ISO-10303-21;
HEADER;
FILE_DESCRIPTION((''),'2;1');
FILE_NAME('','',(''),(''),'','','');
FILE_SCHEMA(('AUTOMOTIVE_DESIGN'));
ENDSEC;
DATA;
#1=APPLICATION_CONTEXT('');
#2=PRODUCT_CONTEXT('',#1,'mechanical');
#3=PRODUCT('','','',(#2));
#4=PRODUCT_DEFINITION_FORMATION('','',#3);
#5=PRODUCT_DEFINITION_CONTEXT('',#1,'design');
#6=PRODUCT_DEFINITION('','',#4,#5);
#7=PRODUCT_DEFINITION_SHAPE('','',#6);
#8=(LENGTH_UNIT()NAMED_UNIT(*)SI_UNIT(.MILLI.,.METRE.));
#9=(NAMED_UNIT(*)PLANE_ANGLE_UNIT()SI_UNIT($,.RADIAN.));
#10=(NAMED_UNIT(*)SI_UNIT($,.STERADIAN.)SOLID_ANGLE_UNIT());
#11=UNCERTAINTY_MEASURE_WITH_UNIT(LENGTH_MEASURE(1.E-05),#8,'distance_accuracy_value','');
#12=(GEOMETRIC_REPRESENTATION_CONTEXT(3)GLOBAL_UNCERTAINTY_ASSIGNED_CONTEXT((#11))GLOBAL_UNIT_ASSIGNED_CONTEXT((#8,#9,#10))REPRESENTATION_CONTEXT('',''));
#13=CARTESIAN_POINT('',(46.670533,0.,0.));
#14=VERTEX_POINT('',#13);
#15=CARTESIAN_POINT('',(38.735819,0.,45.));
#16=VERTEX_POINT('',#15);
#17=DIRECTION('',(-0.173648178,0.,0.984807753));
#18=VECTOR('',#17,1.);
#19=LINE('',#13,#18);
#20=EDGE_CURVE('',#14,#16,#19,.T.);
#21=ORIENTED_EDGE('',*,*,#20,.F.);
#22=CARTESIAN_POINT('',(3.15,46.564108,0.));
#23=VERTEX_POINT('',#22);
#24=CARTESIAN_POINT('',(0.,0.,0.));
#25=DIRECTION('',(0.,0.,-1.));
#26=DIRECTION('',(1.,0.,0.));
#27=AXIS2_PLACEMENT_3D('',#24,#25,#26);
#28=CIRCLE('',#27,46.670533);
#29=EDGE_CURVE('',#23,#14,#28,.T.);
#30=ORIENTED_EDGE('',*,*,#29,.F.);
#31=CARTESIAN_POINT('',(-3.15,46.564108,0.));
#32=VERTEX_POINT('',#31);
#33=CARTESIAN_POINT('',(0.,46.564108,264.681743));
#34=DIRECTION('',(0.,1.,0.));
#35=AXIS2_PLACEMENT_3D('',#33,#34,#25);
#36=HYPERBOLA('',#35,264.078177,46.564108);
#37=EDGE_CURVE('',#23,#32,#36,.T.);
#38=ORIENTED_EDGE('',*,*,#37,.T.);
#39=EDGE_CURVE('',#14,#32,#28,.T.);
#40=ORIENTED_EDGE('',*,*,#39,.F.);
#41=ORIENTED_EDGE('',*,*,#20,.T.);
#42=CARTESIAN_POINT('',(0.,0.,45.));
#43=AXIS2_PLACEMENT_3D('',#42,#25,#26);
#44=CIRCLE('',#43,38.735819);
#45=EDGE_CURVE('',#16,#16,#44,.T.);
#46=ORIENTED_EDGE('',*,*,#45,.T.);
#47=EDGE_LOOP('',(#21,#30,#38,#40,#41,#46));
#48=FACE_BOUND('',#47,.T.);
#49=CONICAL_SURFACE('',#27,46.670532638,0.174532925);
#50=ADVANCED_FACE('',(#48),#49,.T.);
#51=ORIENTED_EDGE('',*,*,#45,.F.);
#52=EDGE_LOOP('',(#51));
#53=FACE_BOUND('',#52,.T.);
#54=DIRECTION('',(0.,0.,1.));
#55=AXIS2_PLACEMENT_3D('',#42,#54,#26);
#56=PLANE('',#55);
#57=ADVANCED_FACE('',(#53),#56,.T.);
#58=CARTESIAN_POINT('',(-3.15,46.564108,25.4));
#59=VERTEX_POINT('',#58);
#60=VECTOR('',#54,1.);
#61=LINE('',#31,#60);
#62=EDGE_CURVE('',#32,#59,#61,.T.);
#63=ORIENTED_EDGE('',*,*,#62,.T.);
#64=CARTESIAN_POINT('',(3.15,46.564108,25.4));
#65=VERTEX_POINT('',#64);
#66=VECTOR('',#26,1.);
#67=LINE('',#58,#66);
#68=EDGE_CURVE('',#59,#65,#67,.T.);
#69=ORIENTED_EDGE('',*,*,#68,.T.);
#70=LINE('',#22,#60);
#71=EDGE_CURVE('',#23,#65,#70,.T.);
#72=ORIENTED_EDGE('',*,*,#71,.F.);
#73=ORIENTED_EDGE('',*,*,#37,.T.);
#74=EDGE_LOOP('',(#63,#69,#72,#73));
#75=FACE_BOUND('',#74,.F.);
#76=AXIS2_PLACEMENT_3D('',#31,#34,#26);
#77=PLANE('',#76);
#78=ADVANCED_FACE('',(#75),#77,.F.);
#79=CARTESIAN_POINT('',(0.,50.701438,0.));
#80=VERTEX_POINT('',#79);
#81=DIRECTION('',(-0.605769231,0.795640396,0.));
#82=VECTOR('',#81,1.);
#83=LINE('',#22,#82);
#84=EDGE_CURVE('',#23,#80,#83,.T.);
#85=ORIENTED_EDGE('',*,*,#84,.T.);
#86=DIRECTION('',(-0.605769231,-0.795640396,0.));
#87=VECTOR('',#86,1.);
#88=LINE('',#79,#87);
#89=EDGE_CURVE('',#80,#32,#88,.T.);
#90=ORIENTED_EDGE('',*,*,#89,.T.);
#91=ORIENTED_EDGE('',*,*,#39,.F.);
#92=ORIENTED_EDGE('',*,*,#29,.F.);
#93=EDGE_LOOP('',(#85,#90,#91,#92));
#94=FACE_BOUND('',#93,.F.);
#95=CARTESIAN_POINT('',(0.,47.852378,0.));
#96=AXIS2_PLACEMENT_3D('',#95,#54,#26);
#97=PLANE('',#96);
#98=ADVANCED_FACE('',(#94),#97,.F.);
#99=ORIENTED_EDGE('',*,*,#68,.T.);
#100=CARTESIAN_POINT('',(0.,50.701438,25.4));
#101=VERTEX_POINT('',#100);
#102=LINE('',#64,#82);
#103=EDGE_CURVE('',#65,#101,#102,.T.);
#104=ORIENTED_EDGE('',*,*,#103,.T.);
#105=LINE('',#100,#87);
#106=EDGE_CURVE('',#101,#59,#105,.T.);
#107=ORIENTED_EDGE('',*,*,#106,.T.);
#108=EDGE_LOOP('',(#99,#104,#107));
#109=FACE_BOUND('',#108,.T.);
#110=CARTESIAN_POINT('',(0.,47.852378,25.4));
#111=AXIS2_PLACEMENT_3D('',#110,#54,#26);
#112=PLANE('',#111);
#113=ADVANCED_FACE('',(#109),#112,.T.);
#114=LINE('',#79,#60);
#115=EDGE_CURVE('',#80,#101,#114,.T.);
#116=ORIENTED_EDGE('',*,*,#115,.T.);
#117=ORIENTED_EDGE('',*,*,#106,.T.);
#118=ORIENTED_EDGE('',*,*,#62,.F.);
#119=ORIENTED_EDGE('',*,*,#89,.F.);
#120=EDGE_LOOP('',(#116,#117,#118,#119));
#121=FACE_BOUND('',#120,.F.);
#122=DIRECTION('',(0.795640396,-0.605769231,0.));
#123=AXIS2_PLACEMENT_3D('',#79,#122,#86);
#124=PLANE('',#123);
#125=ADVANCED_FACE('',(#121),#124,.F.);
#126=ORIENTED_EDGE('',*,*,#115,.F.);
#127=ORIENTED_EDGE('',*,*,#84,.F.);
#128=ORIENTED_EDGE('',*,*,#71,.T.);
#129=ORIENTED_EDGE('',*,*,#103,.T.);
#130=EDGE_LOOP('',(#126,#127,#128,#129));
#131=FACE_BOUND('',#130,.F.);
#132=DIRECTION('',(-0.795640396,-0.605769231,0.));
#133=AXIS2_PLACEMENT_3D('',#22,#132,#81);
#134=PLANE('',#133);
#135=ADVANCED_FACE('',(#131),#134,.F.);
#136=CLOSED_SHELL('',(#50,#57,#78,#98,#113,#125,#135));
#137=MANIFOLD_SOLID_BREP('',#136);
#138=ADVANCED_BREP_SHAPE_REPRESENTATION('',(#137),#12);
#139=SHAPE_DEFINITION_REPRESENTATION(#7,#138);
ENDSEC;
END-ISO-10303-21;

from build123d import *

# Parameters (mm, degrees)
F0_R     = 46.6705326384
F1_DEPTH = 45
F1_TAPER = 10
F4_DEPTH = 25.4


with BuildPart() as f1:
    # F0 (on Top) → F1 (new body)
    with BuildSketch(Plane.XY):
        Circle(F0_R)
    extrude(amount=F1_DEPTH, taper=F1_TAPER)

    # F2 (on Top) → F4 (join)
    with BuildSketch(Plane.XY):
        Polygon((0, 50.7014376588), (-3.15, 46.5641076018), (3.15, 46.5641076018), align=None)
    extrude(amount=F4_DEPTH)


solid = f1.part
